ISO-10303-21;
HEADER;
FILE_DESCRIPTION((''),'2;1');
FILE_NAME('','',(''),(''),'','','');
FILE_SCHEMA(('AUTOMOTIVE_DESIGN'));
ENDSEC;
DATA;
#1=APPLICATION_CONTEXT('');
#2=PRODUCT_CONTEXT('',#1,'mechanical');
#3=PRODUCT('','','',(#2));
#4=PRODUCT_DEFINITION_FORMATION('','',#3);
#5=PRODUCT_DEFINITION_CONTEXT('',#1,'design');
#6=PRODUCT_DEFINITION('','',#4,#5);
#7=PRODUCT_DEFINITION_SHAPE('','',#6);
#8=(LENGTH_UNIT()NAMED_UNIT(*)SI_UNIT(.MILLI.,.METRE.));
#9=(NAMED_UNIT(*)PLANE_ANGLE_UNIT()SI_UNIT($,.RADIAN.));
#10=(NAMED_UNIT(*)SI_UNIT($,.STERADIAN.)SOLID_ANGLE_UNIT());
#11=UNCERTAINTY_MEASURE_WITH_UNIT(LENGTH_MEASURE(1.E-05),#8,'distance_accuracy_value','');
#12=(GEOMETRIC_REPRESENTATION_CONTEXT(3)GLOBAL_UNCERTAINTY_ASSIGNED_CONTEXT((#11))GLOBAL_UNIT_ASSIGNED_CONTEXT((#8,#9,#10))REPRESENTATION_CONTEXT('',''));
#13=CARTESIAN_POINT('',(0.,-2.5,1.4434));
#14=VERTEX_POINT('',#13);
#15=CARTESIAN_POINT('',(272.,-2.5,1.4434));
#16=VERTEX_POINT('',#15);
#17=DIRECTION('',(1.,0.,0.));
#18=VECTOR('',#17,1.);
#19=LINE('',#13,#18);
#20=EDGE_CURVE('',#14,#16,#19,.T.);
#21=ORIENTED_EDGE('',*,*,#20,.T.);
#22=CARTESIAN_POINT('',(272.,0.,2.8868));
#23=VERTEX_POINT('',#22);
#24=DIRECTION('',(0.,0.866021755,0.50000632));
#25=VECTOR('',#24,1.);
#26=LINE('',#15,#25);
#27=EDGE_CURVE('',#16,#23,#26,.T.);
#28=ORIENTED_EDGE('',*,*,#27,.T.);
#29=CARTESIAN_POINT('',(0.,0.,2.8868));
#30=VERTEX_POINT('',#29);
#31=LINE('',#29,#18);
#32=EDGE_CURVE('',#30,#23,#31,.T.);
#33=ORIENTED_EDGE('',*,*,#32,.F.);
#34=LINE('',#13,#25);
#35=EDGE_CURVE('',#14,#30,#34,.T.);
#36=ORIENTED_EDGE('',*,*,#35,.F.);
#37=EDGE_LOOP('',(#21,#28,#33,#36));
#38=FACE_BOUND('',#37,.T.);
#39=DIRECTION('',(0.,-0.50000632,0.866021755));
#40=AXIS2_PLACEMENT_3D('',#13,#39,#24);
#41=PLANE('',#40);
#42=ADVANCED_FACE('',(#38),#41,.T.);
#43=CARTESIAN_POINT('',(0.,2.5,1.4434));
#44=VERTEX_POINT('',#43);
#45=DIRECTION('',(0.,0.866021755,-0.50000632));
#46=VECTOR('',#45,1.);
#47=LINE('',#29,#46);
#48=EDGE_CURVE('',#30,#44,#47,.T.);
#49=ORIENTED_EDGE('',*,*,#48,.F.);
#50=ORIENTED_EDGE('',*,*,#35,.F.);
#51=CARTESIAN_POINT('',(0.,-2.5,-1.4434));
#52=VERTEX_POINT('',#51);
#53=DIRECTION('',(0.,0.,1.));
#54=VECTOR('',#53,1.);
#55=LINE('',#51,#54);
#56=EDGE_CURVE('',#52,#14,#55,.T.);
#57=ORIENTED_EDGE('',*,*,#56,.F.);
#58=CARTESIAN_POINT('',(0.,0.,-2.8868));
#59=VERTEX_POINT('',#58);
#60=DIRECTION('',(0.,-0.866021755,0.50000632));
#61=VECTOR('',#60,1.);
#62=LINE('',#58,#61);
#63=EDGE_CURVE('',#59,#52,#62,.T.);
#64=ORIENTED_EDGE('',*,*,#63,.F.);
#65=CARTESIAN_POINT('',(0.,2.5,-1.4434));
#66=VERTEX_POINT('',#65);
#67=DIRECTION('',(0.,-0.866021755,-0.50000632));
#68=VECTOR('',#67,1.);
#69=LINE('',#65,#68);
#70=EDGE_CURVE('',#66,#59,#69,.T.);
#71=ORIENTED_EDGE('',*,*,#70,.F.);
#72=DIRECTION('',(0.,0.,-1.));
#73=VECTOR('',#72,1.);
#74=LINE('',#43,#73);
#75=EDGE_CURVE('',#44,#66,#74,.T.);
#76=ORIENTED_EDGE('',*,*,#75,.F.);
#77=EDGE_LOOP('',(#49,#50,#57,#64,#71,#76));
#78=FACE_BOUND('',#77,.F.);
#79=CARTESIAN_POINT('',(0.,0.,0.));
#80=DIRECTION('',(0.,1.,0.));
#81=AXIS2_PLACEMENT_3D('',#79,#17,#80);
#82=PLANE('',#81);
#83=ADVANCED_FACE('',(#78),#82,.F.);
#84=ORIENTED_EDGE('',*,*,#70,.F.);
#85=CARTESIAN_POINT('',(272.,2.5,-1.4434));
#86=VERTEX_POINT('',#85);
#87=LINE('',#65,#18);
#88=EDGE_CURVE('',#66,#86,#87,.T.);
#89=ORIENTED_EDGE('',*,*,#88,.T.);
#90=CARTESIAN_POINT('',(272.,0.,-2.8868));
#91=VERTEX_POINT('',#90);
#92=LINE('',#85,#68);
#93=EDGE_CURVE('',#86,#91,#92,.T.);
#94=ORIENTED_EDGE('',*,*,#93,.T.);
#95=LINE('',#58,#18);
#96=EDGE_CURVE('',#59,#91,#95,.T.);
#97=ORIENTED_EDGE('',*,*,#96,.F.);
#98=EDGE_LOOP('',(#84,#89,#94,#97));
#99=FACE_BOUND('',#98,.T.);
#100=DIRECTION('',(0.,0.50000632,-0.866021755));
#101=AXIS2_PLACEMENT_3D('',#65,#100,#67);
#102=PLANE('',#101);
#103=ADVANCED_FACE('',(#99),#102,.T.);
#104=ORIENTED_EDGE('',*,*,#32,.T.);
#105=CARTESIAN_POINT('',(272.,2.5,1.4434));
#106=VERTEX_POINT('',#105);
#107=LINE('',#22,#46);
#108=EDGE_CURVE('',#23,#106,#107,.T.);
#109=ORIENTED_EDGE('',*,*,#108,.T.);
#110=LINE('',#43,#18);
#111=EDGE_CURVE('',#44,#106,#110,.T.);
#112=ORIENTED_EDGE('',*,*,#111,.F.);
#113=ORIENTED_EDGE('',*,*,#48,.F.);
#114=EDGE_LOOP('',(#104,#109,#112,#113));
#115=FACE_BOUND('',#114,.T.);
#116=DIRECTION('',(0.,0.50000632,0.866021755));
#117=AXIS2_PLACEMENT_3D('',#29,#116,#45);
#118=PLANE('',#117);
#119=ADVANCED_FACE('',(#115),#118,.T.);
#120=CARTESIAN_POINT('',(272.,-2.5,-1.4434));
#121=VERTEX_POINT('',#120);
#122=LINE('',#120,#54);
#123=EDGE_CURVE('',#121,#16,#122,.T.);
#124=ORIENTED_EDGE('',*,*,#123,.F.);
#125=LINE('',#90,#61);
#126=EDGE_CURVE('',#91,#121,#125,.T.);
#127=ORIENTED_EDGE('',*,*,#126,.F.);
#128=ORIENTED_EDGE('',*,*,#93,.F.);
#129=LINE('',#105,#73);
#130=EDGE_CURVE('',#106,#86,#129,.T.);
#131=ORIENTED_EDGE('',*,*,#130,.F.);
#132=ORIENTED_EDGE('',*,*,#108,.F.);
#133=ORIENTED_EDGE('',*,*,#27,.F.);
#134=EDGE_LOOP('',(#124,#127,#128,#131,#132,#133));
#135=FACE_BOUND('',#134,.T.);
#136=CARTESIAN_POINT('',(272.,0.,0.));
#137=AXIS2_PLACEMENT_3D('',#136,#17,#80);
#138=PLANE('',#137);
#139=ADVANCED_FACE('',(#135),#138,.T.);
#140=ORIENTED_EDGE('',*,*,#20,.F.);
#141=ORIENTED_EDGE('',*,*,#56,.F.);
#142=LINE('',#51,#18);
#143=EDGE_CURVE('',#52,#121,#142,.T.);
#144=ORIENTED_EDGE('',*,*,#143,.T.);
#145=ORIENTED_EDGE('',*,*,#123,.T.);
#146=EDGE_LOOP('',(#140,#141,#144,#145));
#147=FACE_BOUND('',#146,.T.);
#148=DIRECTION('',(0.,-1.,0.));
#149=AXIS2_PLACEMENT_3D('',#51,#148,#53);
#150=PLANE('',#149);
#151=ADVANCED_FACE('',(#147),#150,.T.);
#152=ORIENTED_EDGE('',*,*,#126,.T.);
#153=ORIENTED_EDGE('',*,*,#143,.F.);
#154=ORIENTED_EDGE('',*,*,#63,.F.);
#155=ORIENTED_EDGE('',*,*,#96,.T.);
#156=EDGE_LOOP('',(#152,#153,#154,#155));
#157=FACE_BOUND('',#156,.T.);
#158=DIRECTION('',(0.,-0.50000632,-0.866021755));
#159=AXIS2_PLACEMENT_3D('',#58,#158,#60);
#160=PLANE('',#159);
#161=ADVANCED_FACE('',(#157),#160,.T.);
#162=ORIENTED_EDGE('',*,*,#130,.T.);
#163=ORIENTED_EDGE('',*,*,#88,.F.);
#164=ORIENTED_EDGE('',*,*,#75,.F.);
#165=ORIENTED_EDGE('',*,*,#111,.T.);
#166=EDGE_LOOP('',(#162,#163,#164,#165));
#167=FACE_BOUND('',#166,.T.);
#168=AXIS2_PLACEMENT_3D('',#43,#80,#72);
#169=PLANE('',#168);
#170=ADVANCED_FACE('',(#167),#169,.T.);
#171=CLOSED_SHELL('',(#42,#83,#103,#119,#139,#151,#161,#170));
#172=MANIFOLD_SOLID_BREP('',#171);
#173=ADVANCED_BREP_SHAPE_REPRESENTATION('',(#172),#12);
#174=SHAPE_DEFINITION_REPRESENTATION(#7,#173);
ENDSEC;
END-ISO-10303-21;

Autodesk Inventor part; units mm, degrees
ref_plane "YZ Plane" through (0, 0, 0) normal (1, 0, 0) x (0, 1, 0)
ref_plane "XZ Plane" through (0, 0, 0) normal (0, 1, 0) x (-1, 0, 0)
ref_plane "XY Plane" through (0, 0, 0) normal (0, 0, 1) x (1, 0, 0)
sketch "Sketch1" plane through (0, 0, 0) normal (1, 0, 0) x (0, 1, 0)
  line L0 (2.5, -1.4434) -> (0, -2.8868)
  line L1 (0, -2.8868) -> (-2.5, -1.4434)
  line L2 (-2.5, -1.4434) -> (-2.5, 1.4434)
  line L3 (-2.5, 1.4434) -> (0, 2.8868)
  line L4 (0, 2.8868) -> (2.5, 1.4434)
  line L5 (2.5, 1.4434) -> (2.5, -1.4434)
  point P0 (0, 0)
  point P1 (0, 0)
  dimension "d0" = 5
extrude "Extrusion1" add sketch "Sketch1" along normal blind 272
properties part number "IntakeHexShaft"
